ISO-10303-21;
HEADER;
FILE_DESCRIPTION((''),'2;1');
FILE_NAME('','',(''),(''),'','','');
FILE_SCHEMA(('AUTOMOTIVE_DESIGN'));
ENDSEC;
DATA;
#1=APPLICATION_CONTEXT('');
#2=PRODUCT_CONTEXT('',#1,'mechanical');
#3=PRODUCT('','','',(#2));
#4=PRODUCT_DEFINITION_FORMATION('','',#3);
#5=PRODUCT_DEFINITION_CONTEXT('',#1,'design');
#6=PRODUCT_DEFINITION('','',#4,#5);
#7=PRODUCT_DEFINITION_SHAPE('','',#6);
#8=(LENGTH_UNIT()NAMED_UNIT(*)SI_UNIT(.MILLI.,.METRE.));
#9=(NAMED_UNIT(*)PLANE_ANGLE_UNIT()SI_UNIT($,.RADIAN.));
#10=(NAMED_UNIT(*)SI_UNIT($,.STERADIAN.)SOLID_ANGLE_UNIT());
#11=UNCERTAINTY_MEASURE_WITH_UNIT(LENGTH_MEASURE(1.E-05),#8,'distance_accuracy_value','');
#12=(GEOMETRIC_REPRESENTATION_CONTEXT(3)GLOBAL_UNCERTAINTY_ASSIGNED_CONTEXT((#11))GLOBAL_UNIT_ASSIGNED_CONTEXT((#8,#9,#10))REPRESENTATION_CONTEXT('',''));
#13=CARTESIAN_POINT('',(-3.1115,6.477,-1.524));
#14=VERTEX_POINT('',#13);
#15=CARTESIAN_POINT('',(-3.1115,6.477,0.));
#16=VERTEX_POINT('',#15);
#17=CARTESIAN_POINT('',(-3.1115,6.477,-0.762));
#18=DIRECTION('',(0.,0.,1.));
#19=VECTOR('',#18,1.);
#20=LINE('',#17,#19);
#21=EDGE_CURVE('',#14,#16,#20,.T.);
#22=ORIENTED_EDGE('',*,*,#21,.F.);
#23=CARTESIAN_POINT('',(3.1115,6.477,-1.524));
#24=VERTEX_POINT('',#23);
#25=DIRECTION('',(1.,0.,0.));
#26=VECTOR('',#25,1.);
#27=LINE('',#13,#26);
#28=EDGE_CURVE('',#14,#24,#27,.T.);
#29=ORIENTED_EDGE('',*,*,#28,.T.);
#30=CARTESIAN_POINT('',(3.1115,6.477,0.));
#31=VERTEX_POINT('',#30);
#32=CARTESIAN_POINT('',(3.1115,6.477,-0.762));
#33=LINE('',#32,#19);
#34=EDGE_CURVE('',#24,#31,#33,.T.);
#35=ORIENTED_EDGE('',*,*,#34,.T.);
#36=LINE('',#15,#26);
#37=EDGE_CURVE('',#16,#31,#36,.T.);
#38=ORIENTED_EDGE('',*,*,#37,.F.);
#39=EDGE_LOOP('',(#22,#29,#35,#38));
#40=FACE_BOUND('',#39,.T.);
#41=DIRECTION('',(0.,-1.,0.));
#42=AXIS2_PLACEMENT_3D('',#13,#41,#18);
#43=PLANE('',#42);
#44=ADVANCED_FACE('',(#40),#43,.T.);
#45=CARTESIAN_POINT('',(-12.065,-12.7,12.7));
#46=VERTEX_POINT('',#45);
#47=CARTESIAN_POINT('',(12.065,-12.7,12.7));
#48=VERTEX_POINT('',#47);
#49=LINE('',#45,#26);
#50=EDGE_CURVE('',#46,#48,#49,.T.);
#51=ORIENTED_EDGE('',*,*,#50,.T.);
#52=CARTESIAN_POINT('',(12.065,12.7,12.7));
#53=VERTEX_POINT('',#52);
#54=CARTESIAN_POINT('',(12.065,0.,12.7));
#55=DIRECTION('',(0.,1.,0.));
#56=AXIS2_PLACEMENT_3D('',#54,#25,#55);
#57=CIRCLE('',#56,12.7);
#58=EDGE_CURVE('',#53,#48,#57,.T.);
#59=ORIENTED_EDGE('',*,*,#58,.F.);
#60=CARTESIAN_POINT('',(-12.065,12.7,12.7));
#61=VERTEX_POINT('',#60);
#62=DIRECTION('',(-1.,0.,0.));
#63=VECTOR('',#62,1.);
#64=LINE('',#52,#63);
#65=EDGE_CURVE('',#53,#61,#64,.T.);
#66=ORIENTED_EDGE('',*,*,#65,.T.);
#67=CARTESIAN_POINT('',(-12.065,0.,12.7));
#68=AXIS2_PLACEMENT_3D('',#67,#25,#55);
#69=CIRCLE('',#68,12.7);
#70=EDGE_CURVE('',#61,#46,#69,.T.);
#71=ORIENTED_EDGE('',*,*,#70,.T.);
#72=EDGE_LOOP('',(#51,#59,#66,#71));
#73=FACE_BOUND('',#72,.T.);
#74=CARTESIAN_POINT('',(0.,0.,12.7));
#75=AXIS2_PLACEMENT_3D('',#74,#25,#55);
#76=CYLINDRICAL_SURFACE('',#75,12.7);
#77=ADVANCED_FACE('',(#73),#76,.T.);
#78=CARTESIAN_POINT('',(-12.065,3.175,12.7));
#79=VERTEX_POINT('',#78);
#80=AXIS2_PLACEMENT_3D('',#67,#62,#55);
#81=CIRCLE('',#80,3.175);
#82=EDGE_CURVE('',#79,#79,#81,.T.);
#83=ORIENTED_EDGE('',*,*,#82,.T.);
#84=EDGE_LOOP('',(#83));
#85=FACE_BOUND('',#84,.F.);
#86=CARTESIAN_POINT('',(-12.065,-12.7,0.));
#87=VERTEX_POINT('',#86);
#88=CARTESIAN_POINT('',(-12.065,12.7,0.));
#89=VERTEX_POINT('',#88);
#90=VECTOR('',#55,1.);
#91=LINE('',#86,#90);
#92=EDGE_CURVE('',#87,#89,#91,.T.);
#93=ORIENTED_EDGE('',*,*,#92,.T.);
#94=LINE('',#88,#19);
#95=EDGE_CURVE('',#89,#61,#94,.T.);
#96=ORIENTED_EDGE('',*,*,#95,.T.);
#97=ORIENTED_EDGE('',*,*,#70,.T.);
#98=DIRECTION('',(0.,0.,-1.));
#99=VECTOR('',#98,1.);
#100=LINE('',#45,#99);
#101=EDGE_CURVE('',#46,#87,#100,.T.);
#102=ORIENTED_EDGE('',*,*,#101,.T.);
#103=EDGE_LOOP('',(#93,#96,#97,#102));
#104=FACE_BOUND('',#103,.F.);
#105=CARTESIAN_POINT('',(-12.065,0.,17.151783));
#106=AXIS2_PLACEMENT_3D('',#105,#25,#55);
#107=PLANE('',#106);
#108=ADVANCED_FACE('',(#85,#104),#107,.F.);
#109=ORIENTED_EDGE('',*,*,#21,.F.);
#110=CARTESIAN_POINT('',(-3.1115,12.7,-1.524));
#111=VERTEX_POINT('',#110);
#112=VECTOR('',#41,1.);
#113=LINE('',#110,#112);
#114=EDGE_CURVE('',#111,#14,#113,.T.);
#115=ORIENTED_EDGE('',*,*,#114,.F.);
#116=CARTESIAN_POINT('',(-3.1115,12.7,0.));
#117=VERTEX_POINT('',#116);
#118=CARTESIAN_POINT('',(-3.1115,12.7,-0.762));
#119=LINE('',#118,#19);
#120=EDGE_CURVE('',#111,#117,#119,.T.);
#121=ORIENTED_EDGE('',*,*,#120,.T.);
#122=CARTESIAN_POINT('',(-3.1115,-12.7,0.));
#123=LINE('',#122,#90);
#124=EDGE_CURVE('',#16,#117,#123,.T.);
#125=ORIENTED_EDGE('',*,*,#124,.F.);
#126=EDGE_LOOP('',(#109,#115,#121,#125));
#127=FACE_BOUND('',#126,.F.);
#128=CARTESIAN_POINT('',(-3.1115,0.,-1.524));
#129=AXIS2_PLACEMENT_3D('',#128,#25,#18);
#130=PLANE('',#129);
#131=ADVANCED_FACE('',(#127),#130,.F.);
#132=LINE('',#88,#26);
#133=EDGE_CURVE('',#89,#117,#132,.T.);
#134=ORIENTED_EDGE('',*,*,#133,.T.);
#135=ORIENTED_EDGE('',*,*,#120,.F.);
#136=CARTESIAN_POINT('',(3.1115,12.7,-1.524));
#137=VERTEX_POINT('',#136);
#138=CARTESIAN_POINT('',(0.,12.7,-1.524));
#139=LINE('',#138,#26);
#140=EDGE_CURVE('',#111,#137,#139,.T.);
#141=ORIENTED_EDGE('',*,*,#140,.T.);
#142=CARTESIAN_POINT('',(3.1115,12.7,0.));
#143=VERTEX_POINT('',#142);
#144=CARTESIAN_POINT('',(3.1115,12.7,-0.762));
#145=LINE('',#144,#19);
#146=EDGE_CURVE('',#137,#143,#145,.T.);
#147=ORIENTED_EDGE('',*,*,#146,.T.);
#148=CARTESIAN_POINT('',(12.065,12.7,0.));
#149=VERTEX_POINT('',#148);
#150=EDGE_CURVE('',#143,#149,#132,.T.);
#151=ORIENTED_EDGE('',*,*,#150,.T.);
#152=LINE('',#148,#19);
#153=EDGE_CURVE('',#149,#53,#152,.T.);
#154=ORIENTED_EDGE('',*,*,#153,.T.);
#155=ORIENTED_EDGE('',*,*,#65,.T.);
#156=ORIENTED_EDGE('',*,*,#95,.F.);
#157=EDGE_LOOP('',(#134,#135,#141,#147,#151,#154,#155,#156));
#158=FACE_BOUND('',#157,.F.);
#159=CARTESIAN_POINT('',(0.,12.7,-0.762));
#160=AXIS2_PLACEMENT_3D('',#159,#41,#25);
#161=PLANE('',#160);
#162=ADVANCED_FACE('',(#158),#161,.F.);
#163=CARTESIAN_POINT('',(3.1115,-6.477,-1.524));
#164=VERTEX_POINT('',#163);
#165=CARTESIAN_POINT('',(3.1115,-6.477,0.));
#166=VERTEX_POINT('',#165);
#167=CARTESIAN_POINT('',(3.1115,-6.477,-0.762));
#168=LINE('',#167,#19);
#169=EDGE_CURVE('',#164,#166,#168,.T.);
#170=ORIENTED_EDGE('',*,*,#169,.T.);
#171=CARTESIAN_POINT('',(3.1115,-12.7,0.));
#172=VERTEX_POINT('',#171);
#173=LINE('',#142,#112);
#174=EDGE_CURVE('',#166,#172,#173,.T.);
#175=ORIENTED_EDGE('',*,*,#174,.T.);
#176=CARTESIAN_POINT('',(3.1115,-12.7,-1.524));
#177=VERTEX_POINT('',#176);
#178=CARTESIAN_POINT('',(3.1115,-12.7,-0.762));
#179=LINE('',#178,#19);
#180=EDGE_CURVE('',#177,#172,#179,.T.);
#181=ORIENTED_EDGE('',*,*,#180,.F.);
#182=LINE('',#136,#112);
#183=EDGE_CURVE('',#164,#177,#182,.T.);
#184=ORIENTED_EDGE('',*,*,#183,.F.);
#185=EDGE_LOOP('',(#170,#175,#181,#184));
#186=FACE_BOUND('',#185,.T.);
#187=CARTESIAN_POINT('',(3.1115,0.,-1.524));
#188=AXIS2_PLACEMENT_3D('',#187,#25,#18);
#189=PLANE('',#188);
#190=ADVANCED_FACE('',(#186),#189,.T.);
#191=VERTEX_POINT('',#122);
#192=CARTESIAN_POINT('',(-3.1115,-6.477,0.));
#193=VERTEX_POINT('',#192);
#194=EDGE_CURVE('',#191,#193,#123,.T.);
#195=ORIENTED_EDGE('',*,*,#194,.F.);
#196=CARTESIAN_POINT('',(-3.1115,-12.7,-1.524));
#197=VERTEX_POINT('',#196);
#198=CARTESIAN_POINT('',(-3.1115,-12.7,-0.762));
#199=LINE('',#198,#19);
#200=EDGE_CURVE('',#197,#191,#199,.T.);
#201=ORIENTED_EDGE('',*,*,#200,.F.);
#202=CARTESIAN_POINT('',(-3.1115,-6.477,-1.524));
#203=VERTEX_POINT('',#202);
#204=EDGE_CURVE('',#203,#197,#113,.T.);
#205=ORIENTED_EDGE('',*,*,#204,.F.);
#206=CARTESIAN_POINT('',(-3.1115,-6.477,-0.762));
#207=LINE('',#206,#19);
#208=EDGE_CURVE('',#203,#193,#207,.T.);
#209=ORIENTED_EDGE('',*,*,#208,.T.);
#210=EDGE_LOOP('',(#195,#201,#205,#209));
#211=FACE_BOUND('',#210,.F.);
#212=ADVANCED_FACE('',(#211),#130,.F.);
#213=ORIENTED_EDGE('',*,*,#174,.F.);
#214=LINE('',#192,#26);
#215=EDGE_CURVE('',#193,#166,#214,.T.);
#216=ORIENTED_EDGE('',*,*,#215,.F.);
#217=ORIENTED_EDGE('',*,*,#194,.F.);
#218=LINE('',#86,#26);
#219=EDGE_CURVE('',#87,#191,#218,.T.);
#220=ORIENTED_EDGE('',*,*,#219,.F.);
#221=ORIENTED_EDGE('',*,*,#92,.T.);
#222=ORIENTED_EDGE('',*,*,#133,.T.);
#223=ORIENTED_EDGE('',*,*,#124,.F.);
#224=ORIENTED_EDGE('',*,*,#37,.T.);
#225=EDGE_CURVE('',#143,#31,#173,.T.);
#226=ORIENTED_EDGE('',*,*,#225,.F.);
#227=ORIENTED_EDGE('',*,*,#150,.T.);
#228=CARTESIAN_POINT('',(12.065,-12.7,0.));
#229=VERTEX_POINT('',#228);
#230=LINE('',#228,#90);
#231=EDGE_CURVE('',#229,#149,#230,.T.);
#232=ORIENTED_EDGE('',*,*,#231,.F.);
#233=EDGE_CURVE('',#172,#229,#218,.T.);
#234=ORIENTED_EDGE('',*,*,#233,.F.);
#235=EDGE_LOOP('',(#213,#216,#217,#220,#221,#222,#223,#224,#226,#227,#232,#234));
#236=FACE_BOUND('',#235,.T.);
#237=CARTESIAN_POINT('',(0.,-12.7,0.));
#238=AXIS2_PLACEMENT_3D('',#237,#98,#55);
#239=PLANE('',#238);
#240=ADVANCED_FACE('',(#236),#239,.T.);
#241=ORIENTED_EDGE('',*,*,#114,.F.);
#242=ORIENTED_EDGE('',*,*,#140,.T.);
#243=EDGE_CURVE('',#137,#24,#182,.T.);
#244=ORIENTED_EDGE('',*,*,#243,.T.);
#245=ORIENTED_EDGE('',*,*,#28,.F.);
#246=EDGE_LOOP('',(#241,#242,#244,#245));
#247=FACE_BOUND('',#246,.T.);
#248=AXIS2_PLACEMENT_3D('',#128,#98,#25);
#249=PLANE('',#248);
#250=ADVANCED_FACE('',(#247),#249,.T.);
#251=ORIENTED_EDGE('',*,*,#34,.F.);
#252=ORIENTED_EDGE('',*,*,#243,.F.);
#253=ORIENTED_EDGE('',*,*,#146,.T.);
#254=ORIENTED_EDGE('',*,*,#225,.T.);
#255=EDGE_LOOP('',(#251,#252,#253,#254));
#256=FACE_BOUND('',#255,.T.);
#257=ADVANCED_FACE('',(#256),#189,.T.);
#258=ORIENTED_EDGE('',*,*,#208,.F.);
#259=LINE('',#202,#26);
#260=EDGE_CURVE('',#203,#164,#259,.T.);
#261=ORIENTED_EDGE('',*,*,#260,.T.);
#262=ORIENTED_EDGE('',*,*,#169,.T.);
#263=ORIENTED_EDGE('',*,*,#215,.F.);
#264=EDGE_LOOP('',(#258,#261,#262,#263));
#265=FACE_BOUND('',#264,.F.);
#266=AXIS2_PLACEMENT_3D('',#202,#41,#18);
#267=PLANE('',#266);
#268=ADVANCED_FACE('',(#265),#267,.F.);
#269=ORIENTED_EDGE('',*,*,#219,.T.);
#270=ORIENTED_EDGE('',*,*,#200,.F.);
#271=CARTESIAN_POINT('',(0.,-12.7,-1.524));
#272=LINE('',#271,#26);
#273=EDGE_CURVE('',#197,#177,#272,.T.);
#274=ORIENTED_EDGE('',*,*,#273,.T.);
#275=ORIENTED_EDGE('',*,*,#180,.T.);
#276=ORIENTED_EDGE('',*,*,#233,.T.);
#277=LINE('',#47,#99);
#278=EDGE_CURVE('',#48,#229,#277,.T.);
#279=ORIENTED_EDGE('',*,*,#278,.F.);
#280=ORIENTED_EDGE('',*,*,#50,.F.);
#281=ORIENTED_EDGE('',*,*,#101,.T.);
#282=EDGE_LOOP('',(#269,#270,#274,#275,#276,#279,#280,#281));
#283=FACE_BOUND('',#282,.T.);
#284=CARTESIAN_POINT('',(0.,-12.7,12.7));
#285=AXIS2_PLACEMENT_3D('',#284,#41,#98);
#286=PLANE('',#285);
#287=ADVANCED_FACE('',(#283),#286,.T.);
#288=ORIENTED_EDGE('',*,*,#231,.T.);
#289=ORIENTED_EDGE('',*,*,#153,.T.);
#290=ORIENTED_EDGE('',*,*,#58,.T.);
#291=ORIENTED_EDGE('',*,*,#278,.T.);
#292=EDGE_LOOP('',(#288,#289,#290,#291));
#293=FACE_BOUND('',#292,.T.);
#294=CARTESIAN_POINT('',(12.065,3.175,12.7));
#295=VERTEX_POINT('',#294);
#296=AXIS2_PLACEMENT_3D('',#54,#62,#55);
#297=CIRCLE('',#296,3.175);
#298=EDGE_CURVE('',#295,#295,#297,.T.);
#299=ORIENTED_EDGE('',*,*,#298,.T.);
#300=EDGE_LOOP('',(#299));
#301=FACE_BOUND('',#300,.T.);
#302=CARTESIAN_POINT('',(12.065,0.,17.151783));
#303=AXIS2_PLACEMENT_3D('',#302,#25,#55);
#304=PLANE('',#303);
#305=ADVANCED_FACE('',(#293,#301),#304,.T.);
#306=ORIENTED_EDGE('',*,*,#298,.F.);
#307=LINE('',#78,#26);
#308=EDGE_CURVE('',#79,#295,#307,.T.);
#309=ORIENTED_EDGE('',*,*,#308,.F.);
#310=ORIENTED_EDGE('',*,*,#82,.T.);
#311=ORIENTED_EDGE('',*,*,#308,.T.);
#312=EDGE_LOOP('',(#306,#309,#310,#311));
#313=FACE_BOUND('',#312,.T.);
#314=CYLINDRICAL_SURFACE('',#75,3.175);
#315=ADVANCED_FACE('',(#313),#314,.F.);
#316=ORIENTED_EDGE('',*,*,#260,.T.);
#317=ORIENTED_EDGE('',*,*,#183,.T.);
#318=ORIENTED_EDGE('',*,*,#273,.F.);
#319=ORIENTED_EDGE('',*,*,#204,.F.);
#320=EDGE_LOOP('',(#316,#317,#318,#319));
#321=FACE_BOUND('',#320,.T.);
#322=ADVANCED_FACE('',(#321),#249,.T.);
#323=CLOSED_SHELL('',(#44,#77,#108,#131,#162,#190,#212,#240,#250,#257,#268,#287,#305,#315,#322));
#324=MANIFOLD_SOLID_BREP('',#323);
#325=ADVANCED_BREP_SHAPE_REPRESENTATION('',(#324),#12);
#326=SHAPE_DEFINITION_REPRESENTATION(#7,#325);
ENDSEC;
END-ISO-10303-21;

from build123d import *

# Parameters (mm, degrees)
F1_DEPTH      = 12.065
F2_W          = 6.223
F2_H          = 1.524
F3_DEPTH      = 12.7
F3_DEPTH_BACK = 12.7
F4_W          = 12.954
F4_H          = 1.524
F5_DEPTH      = 6.223


with BuildPart() as f1:
    # F0 (on Right) → F1 (new body, symmetric)
    with BuildSketch(Plane.YZ):
        with BuildLine():
            ThreePointArc((-3.175, 12.7), (0, 15.875), (3.175, 12.7))
            Line((3.175, 12.7), (12.7, 12.7))
            ThreePointArc((12.7, 12.7), (0, 25.4), (-12.7, 12.7))
            Line((-12.7, 12.7), (-3.175, 12.7))
        make_face()
        with BuildLine():
            Line((12.7, 12.7), (3.175, 12.7))
            ThreePointArc((3.175, 12.7), (0, 9.525), (-3.175, 12.7))
            Line((-3.175, 12.7), (-12.7, 12.7))
            Line((-12.7, 12.7), (-12.7, 0))
            Line((-12.7, 0), (12.7, 0))
            Line((12.7, 0), (12.7, 12.7))
        make_face()
    extrude(amount=F1_DEPTH, both=True)

    # F2 (on Front) → F3 (join, two sides)
    with BuildSketch(Plane.XZ) as f3_sk:
        with Locations((0, -0.762)):
            Rectangle(F2_W, F2_H)
    extrude(amount=F3_DEPTH)
    extrude(f3_sk.sketch, amount=-F3_DEPTH_BACK)

    # F4 (on face) → F5 (cut, through all)
    with BuildSketch(Plane(origin=(-3.1115, 0, 0), x_dir=(0, -1, 0), z_dir=(-1, 0, 0))):
        with Locations((0, -0.762)):
            Rectangle(F4_W, F4_H)
    extrude(amount=-F5_DEPTH, mode=Mode.SUBTRACT)


solid = f1.part
